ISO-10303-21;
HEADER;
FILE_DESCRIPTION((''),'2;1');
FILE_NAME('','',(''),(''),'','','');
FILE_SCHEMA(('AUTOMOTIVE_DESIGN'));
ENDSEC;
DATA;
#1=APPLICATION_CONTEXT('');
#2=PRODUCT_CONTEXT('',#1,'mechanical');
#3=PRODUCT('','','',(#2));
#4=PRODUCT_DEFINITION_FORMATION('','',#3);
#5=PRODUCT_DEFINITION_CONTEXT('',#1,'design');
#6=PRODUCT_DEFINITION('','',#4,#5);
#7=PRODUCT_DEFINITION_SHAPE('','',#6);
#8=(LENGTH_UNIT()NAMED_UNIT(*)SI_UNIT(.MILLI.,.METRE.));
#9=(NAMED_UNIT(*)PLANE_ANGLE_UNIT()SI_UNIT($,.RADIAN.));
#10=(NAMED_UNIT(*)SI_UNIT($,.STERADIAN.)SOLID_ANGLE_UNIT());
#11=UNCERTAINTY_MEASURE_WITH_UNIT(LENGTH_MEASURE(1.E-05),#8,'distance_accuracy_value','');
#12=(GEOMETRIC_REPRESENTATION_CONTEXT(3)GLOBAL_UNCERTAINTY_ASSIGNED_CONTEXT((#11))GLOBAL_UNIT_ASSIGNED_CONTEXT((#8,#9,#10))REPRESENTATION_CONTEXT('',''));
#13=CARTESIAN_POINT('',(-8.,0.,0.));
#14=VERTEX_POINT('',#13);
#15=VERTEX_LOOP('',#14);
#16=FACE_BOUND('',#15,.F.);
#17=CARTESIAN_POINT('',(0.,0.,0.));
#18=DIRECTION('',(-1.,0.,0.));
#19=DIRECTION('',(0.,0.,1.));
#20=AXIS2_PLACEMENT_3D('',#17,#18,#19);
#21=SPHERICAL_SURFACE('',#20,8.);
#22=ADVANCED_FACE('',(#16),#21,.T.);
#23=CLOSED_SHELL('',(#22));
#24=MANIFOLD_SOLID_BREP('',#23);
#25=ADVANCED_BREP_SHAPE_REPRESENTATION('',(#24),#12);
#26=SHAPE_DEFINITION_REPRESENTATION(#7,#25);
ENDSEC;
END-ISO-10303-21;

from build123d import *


with BuildPart() as part:
    # Sketch1 → Revolve1 (revolve)
    with BuildSketch(Plane(origin=(0, 0, 0), x_dir=(1, 0, 0), z_dir=(0, 1, 0))):
        with BuildLine():
            Line((-8, 0), (8, 0))
            ThreePointArc((8, 0), (0, -8), (-8, 0))
        make_face()
    revolve(axis=Axis((-8, 0, 0), (1, 0, 0)))


solid = part.part
